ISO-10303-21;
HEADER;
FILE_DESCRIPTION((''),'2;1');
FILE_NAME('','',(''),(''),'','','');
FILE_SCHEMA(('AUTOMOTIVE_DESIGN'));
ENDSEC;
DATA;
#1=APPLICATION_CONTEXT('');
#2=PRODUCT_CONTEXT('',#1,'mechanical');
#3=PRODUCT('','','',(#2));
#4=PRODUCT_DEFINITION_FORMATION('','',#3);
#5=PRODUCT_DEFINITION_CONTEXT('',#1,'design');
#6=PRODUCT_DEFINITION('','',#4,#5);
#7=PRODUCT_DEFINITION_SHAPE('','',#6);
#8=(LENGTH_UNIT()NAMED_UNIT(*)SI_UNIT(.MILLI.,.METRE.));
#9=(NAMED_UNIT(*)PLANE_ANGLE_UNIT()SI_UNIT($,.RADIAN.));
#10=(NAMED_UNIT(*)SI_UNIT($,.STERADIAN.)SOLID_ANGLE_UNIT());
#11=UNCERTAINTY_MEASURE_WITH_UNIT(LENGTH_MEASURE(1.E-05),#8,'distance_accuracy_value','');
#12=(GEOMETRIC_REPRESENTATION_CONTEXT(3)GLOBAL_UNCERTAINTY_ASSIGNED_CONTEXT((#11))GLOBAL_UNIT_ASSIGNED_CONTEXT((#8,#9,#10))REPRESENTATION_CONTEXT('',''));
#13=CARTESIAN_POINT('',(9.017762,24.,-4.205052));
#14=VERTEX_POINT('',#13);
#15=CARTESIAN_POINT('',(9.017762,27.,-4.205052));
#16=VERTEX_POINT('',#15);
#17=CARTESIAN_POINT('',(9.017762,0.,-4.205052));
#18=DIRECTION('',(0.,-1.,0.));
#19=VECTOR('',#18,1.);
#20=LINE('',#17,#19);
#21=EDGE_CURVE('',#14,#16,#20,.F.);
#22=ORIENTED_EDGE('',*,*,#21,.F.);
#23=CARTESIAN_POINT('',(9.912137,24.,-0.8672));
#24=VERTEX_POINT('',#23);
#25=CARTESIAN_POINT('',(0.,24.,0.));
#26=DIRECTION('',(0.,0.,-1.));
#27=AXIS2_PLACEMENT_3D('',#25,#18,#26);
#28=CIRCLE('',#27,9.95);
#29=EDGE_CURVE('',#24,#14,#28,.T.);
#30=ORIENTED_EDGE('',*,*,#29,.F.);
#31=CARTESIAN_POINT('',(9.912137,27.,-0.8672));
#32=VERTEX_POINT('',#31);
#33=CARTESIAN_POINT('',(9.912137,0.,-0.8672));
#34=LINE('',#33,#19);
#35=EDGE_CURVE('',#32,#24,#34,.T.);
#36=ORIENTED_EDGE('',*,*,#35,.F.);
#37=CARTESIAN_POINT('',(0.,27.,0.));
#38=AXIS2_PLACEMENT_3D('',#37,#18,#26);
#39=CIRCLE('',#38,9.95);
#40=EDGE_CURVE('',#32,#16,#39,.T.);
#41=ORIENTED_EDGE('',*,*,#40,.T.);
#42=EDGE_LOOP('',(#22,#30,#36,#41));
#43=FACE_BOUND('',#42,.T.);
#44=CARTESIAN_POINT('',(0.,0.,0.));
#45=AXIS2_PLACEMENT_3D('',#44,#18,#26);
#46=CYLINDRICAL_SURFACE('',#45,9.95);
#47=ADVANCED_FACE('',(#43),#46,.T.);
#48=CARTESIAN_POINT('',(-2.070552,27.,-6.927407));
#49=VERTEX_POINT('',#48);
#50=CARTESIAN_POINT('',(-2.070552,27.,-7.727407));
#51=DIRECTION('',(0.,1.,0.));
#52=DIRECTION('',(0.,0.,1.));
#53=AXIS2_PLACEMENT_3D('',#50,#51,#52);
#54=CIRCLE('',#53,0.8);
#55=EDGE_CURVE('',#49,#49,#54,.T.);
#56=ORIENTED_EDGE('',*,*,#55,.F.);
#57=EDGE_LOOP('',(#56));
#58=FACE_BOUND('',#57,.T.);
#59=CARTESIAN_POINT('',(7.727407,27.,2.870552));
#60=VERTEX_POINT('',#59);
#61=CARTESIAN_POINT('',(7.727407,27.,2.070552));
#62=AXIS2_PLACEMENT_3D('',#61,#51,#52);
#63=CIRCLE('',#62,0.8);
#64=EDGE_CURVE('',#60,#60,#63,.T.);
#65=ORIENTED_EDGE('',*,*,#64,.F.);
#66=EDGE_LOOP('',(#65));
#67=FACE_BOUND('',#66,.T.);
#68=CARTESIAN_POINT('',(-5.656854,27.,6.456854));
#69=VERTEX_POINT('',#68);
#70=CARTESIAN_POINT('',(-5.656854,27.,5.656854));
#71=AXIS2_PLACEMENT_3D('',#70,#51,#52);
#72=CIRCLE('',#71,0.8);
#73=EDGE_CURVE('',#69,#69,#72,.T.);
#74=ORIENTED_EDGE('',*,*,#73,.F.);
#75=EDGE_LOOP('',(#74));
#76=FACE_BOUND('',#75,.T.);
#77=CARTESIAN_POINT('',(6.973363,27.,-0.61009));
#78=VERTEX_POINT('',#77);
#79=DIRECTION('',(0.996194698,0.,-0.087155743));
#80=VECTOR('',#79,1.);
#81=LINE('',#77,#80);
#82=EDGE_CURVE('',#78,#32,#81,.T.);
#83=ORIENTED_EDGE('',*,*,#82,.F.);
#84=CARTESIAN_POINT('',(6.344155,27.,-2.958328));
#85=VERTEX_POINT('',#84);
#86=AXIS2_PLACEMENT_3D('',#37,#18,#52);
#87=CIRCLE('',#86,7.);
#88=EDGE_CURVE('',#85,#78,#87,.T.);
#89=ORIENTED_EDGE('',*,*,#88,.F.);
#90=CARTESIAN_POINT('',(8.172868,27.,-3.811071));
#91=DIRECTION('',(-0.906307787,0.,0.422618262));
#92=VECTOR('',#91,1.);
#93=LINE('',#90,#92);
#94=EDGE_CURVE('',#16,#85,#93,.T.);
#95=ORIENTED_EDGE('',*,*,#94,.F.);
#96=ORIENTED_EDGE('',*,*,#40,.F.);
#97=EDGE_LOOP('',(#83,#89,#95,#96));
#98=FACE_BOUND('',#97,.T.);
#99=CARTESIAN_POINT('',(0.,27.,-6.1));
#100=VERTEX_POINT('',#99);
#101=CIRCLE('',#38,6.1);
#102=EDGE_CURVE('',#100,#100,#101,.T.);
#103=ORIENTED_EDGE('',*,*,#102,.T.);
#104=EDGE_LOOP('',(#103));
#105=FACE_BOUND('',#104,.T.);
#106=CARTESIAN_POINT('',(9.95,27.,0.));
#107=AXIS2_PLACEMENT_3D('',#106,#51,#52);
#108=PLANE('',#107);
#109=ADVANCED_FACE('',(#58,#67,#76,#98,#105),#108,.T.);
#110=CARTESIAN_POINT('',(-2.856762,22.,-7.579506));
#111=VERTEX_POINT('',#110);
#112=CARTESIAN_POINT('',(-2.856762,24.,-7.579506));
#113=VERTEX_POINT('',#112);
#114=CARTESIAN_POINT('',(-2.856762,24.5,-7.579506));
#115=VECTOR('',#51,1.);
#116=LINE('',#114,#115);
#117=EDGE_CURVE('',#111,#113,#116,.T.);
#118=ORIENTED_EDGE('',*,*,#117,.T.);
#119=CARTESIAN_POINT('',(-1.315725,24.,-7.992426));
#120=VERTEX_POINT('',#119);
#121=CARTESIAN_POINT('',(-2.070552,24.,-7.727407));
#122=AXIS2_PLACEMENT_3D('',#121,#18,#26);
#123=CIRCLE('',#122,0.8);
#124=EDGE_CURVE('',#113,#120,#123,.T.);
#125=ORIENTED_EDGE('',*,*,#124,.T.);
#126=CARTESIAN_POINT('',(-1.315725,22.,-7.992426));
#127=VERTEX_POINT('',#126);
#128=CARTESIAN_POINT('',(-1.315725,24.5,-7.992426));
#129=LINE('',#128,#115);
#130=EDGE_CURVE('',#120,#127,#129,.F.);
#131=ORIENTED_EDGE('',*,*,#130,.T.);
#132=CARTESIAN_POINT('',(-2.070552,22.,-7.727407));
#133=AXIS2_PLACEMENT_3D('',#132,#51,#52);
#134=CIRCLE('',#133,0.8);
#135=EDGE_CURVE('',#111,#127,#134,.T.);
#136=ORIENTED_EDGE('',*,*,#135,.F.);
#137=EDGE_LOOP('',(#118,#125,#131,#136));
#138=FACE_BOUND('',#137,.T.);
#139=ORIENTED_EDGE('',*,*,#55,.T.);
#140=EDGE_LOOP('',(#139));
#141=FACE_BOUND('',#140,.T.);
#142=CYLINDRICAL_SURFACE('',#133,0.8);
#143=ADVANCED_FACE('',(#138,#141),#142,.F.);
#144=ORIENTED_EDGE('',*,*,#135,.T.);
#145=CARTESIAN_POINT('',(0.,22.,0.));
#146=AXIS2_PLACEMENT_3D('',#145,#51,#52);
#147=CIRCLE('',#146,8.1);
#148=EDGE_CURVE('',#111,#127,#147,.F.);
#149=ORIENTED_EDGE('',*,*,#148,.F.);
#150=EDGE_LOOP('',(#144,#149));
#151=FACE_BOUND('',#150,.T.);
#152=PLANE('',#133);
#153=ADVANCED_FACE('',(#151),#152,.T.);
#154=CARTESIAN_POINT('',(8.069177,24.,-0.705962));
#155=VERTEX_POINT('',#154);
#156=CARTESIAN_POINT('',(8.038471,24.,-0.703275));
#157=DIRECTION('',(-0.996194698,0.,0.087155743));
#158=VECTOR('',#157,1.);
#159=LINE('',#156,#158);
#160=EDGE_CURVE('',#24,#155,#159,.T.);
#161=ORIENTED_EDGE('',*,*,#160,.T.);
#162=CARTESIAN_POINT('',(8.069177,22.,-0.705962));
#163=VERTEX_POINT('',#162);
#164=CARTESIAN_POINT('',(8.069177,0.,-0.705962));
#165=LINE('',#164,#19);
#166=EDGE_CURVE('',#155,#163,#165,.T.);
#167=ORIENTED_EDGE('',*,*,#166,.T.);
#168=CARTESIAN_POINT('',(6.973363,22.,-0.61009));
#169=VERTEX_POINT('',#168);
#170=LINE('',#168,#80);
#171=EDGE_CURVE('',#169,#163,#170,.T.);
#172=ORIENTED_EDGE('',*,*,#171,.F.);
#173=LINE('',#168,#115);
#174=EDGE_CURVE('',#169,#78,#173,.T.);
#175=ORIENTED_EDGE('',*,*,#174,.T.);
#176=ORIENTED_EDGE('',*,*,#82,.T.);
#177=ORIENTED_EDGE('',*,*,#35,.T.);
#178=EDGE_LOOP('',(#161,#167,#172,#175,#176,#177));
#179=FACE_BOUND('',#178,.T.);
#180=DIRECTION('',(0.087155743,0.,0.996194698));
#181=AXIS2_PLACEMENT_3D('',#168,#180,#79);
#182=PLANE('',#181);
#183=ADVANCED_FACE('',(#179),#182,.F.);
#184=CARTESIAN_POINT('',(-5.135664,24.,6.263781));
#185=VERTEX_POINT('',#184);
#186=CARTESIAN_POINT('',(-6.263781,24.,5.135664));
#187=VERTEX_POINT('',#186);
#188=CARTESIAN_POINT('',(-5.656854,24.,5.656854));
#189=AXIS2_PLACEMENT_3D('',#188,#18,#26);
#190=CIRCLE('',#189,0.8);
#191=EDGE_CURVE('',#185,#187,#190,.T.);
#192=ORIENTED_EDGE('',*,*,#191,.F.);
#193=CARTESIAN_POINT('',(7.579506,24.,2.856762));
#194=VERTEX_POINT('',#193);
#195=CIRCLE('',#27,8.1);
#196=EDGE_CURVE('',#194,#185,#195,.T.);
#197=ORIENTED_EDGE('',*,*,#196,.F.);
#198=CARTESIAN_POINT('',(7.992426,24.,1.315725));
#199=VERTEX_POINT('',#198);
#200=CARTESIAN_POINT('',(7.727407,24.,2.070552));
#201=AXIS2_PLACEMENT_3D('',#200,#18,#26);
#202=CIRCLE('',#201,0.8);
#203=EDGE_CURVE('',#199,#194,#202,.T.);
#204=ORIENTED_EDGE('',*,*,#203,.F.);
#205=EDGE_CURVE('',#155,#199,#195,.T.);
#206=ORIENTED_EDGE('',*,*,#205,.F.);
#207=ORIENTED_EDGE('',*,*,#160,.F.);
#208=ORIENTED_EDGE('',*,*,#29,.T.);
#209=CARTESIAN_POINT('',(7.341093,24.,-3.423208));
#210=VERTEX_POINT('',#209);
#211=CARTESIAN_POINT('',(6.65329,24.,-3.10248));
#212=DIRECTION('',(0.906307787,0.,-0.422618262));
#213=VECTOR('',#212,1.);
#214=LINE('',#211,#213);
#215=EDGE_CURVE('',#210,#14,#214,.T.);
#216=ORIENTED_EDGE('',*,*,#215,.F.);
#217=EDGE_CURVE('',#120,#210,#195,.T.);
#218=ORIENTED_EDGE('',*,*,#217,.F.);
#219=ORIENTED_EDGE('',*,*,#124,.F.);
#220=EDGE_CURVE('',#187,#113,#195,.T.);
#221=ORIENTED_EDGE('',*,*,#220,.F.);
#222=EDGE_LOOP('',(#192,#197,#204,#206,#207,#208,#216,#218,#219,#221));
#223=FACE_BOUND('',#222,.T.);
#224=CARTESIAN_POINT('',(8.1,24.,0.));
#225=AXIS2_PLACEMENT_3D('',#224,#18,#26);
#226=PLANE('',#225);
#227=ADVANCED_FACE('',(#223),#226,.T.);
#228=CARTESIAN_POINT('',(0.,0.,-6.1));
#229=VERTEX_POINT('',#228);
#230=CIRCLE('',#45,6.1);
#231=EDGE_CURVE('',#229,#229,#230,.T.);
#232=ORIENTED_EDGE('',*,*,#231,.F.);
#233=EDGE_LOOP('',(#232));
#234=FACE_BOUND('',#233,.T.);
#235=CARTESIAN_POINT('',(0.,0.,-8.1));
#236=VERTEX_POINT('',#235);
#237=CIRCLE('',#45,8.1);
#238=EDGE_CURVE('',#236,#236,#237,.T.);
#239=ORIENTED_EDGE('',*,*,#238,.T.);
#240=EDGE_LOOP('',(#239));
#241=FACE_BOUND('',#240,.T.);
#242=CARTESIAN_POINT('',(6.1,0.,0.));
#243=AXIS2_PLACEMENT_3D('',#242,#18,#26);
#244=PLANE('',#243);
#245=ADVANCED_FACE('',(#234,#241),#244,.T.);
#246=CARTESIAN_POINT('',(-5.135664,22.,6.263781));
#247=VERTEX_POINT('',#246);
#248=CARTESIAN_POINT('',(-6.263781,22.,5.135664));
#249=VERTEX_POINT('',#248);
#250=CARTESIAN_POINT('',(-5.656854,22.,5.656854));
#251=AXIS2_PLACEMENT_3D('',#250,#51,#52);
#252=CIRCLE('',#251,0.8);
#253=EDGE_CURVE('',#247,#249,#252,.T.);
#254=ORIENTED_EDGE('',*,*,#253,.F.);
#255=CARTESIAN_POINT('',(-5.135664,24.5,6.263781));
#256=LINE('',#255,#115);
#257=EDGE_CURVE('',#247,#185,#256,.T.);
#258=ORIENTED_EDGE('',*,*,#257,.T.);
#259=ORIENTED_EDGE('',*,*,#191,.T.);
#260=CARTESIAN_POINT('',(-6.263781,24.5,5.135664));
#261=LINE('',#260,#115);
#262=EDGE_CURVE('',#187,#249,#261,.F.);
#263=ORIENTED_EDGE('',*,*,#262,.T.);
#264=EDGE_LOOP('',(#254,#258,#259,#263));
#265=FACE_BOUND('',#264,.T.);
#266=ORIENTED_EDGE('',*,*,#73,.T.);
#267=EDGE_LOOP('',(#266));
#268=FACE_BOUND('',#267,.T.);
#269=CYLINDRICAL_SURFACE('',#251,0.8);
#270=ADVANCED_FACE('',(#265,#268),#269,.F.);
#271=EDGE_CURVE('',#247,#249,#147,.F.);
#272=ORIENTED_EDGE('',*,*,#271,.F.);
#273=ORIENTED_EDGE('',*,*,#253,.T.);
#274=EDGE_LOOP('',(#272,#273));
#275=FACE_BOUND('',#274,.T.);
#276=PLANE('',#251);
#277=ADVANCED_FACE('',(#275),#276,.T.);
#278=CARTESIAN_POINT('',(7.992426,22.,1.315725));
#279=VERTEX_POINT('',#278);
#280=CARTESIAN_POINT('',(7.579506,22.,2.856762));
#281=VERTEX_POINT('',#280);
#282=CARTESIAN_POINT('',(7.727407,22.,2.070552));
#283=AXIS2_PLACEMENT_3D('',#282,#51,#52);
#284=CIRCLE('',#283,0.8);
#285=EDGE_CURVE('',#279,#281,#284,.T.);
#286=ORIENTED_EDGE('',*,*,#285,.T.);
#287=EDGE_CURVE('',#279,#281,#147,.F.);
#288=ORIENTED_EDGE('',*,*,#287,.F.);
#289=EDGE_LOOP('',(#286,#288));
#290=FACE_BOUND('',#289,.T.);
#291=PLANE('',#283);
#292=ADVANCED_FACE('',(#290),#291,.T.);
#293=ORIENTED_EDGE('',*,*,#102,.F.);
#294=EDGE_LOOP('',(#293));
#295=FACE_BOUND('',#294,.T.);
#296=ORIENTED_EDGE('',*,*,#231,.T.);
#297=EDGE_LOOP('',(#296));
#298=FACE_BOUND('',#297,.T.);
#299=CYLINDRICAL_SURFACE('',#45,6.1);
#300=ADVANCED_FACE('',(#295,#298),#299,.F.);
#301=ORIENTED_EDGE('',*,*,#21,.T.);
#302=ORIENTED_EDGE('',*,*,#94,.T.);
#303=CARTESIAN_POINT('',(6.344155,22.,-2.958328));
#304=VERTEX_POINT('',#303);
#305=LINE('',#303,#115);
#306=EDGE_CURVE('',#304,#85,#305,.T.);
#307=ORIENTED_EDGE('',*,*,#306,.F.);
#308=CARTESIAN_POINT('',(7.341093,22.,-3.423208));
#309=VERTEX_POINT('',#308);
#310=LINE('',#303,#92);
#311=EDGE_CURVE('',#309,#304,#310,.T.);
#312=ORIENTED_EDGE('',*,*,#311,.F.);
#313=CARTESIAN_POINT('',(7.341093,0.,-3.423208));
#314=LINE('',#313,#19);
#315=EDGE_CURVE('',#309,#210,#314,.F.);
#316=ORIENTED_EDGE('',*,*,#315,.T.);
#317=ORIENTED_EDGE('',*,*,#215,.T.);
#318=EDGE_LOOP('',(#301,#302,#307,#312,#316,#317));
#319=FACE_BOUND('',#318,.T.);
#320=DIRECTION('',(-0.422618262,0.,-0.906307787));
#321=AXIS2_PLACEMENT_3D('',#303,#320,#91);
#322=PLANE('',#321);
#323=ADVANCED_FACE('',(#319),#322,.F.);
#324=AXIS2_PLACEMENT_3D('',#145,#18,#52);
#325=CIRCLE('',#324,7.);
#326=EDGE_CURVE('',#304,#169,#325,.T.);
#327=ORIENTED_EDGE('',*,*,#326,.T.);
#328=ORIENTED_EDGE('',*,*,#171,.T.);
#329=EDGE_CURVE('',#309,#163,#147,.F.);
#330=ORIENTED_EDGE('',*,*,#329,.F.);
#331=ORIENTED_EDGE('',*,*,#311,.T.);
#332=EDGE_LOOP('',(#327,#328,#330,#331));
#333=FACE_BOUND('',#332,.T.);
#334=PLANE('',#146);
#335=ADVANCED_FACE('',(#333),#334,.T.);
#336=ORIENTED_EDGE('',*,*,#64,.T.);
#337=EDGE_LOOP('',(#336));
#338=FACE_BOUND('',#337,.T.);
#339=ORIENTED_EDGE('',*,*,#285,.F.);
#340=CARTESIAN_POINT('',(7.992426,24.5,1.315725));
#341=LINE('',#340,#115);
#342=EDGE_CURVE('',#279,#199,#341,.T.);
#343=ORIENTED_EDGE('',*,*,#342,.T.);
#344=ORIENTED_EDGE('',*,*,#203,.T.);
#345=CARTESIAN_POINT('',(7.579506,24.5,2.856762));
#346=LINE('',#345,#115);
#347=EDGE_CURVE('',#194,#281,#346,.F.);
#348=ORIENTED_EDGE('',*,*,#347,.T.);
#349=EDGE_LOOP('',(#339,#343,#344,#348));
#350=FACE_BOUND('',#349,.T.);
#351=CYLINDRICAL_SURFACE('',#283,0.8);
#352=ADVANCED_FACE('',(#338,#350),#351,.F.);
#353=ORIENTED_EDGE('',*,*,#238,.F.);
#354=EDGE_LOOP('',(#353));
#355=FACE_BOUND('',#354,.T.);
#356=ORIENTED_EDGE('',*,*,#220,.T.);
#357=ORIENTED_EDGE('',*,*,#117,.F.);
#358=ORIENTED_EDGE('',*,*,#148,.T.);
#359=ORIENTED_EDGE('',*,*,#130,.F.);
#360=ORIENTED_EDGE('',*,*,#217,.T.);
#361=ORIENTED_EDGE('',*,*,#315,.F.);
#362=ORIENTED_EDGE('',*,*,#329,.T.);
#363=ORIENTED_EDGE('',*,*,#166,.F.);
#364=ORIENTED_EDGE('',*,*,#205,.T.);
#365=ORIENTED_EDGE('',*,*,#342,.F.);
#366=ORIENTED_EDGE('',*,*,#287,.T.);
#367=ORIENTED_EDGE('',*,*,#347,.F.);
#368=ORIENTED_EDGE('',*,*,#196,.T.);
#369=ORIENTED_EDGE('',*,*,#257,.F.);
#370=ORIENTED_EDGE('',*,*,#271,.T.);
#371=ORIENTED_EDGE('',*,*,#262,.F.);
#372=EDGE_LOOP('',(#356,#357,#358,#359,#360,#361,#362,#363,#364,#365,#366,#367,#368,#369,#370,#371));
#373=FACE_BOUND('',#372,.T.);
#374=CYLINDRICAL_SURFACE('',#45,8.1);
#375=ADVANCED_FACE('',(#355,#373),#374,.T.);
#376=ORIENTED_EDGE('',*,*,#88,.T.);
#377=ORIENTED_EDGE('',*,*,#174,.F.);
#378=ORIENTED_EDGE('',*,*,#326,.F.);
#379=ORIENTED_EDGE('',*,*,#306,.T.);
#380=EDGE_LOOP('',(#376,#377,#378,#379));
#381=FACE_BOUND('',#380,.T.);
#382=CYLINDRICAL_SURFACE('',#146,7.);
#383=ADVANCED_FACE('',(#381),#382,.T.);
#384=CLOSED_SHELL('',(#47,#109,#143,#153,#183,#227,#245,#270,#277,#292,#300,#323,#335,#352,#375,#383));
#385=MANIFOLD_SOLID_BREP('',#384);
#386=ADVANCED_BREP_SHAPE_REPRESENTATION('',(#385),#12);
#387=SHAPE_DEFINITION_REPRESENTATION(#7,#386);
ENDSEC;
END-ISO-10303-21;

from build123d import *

# Parameters (mm, degrees)
SKETCH3_R          = 0.8
CUT_EXTRUDE1_DEPTH = 5


with BuildPart() as part:
    # Sketch2 → Revolve1 (revolve)
    with BuildSketch(Plane.XY, mode=Mode.PRIVATE) as revolve1_sk:
        Polygon((6.1, 0), (8.1, 0), (8.1, 24), (9.95, 24), (9.95, 27), (6.1, 27), align=None)
    revolve(revolve1_sk.sketch.rotate(Axis((0, 0, 0), (0, 1, 0)), 90), axis=Axis((0, 0, 0), (0, 1, 0)))

    # Sketch3 → Cut-Extrude1 (cut)
    with BuildSketch(Plane(origin=(0, 27, 0), x_dir=(1, 0, 0), z_dir=(0, 1, 0))):
        with Locations(Location((7.72740661, -2.070552361, 0), (0, 0, 270))):
            Circle(SKETCH3_R)
        with Locations(Location((-5.656854249, -5.656854249, 0), (0, 0, 270))):
            Circle(SKETCH3_R)
        with Locations(Location((-2.070552361, 7.72740661, 0), (0, 0, 270))):
            Circle(SKETCH3_R)
        with BuildLine():
            Line((6.344154509, 2.958327832), (9.06307787, 4.226182617))
            ThreePointArc((9.06307787, 4.226182617), (9.659258263, 2.588190451), (9.961946981, 0.871557427))
            Line((9.961946981, 0.871557427), (6.973362887, 0.610090199))
            ThreePointArc((6.973362887, 0.610090199), (6.761480784, 1.811733316), (6.344154509, 2.958327832))
        make_face()
    extrude(amount=-CUT_EXTRUDE1_DEPTH, mode=Mode.SUBTRACT)


solid = part.part
